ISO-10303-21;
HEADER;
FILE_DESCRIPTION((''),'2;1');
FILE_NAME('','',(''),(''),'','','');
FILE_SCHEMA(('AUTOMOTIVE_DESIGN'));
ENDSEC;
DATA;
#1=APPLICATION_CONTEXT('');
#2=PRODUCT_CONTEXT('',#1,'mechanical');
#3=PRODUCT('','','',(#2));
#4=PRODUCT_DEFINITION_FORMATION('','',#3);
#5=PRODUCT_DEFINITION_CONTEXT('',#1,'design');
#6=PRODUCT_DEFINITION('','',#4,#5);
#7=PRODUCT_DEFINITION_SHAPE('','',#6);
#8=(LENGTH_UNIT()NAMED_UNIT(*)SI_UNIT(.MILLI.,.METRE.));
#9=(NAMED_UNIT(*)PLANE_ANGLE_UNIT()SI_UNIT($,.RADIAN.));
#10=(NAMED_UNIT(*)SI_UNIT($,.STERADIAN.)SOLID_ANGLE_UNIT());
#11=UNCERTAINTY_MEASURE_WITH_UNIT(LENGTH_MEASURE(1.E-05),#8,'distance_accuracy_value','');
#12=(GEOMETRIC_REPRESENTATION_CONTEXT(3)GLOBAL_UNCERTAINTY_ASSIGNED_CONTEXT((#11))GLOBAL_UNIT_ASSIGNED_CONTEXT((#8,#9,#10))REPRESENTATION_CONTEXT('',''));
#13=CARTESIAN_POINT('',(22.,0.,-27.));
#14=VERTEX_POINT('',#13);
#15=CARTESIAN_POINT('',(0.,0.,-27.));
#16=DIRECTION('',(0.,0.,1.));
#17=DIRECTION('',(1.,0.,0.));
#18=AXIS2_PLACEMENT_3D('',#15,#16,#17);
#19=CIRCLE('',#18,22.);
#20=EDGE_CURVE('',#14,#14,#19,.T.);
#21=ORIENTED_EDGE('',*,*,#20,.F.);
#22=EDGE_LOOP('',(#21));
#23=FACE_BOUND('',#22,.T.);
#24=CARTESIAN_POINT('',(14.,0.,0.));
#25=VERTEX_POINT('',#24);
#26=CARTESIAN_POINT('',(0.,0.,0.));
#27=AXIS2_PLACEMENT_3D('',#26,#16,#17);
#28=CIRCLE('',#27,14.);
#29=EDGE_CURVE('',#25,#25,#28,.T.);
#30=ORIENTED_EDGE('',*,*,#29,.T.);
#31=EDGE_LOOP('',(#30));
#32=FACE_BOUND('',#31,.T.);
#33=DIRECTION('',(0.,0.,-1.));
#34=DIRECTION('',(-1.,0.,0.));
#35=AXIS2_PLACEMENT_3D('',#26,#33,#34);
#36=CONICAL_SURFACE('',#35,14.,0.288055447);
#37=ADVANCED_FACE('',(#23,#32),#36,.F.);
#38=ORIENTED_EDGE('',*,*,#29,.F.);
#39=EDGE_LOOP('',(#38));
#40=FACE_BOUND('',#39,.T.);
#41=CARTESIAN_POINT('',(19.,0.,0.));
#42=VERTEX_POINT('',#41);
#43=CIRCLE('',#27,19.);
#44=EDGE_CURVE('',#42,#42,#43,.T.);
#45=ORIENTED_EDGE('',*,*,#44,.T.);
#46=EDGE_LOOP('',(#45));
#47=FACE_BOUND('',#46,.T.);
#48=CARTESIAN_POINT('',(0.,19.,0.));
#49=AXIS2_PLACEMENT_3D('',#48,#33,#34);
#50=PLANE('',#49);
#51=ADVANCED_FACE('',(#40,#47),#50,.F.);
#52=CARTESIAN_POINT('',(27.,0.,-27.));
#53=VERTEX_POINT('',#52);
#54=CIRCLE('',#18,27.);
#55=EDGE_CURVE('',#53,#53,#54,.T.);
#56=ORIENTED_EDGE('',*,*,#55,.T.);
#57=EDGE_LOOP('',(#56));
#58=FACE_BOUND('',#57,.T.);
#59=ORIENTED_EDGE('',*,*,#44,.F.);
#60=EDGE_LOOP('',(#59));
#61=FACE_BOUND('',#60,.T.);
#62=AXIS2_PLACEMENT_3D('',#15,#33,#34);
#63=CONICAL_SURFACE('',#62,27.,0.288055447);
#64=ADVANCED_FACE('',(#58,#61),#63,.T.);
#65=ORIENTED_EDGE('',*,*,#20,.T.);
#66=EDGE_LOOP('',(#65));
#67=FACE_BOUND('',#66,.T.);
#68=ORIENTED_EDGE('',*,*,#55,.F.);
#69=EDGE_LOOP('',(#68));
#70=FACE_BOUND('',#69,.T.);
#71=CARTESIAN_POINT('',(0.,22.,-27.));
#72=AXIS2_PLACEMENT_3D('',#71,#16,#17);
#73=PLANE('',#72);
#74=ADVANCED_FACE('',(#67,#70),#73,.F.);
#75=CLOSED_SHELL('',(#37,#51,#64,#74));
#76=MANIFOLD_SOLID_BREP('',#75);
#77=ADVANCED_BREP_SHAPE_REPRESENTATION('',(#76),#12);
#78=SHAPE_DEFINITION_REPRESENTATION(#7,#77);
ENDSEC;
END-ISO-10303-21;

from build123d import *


with BuildPart() as part:
    # Эскиз1 → Повернуть1 (revolve)
    with BuildSketch(Plane(origin=(0, 0, 0), x_dir=(0, 0, -1), z_dir=(1, 0, 0)), mode=Mode.PRIVATE) as revolve_1_sk:
        Polygon((0, 14), (27, 22), (27, 27), (0, 19), align=None)
    revolve(revolve_1_sk.sketch.rotate(Axis((0, 0, 28.213510315), (0, 0, -1)), 90), axis=Axis((0, 0, 28.213510315), (0, 0, -1)))


solid = part.part
